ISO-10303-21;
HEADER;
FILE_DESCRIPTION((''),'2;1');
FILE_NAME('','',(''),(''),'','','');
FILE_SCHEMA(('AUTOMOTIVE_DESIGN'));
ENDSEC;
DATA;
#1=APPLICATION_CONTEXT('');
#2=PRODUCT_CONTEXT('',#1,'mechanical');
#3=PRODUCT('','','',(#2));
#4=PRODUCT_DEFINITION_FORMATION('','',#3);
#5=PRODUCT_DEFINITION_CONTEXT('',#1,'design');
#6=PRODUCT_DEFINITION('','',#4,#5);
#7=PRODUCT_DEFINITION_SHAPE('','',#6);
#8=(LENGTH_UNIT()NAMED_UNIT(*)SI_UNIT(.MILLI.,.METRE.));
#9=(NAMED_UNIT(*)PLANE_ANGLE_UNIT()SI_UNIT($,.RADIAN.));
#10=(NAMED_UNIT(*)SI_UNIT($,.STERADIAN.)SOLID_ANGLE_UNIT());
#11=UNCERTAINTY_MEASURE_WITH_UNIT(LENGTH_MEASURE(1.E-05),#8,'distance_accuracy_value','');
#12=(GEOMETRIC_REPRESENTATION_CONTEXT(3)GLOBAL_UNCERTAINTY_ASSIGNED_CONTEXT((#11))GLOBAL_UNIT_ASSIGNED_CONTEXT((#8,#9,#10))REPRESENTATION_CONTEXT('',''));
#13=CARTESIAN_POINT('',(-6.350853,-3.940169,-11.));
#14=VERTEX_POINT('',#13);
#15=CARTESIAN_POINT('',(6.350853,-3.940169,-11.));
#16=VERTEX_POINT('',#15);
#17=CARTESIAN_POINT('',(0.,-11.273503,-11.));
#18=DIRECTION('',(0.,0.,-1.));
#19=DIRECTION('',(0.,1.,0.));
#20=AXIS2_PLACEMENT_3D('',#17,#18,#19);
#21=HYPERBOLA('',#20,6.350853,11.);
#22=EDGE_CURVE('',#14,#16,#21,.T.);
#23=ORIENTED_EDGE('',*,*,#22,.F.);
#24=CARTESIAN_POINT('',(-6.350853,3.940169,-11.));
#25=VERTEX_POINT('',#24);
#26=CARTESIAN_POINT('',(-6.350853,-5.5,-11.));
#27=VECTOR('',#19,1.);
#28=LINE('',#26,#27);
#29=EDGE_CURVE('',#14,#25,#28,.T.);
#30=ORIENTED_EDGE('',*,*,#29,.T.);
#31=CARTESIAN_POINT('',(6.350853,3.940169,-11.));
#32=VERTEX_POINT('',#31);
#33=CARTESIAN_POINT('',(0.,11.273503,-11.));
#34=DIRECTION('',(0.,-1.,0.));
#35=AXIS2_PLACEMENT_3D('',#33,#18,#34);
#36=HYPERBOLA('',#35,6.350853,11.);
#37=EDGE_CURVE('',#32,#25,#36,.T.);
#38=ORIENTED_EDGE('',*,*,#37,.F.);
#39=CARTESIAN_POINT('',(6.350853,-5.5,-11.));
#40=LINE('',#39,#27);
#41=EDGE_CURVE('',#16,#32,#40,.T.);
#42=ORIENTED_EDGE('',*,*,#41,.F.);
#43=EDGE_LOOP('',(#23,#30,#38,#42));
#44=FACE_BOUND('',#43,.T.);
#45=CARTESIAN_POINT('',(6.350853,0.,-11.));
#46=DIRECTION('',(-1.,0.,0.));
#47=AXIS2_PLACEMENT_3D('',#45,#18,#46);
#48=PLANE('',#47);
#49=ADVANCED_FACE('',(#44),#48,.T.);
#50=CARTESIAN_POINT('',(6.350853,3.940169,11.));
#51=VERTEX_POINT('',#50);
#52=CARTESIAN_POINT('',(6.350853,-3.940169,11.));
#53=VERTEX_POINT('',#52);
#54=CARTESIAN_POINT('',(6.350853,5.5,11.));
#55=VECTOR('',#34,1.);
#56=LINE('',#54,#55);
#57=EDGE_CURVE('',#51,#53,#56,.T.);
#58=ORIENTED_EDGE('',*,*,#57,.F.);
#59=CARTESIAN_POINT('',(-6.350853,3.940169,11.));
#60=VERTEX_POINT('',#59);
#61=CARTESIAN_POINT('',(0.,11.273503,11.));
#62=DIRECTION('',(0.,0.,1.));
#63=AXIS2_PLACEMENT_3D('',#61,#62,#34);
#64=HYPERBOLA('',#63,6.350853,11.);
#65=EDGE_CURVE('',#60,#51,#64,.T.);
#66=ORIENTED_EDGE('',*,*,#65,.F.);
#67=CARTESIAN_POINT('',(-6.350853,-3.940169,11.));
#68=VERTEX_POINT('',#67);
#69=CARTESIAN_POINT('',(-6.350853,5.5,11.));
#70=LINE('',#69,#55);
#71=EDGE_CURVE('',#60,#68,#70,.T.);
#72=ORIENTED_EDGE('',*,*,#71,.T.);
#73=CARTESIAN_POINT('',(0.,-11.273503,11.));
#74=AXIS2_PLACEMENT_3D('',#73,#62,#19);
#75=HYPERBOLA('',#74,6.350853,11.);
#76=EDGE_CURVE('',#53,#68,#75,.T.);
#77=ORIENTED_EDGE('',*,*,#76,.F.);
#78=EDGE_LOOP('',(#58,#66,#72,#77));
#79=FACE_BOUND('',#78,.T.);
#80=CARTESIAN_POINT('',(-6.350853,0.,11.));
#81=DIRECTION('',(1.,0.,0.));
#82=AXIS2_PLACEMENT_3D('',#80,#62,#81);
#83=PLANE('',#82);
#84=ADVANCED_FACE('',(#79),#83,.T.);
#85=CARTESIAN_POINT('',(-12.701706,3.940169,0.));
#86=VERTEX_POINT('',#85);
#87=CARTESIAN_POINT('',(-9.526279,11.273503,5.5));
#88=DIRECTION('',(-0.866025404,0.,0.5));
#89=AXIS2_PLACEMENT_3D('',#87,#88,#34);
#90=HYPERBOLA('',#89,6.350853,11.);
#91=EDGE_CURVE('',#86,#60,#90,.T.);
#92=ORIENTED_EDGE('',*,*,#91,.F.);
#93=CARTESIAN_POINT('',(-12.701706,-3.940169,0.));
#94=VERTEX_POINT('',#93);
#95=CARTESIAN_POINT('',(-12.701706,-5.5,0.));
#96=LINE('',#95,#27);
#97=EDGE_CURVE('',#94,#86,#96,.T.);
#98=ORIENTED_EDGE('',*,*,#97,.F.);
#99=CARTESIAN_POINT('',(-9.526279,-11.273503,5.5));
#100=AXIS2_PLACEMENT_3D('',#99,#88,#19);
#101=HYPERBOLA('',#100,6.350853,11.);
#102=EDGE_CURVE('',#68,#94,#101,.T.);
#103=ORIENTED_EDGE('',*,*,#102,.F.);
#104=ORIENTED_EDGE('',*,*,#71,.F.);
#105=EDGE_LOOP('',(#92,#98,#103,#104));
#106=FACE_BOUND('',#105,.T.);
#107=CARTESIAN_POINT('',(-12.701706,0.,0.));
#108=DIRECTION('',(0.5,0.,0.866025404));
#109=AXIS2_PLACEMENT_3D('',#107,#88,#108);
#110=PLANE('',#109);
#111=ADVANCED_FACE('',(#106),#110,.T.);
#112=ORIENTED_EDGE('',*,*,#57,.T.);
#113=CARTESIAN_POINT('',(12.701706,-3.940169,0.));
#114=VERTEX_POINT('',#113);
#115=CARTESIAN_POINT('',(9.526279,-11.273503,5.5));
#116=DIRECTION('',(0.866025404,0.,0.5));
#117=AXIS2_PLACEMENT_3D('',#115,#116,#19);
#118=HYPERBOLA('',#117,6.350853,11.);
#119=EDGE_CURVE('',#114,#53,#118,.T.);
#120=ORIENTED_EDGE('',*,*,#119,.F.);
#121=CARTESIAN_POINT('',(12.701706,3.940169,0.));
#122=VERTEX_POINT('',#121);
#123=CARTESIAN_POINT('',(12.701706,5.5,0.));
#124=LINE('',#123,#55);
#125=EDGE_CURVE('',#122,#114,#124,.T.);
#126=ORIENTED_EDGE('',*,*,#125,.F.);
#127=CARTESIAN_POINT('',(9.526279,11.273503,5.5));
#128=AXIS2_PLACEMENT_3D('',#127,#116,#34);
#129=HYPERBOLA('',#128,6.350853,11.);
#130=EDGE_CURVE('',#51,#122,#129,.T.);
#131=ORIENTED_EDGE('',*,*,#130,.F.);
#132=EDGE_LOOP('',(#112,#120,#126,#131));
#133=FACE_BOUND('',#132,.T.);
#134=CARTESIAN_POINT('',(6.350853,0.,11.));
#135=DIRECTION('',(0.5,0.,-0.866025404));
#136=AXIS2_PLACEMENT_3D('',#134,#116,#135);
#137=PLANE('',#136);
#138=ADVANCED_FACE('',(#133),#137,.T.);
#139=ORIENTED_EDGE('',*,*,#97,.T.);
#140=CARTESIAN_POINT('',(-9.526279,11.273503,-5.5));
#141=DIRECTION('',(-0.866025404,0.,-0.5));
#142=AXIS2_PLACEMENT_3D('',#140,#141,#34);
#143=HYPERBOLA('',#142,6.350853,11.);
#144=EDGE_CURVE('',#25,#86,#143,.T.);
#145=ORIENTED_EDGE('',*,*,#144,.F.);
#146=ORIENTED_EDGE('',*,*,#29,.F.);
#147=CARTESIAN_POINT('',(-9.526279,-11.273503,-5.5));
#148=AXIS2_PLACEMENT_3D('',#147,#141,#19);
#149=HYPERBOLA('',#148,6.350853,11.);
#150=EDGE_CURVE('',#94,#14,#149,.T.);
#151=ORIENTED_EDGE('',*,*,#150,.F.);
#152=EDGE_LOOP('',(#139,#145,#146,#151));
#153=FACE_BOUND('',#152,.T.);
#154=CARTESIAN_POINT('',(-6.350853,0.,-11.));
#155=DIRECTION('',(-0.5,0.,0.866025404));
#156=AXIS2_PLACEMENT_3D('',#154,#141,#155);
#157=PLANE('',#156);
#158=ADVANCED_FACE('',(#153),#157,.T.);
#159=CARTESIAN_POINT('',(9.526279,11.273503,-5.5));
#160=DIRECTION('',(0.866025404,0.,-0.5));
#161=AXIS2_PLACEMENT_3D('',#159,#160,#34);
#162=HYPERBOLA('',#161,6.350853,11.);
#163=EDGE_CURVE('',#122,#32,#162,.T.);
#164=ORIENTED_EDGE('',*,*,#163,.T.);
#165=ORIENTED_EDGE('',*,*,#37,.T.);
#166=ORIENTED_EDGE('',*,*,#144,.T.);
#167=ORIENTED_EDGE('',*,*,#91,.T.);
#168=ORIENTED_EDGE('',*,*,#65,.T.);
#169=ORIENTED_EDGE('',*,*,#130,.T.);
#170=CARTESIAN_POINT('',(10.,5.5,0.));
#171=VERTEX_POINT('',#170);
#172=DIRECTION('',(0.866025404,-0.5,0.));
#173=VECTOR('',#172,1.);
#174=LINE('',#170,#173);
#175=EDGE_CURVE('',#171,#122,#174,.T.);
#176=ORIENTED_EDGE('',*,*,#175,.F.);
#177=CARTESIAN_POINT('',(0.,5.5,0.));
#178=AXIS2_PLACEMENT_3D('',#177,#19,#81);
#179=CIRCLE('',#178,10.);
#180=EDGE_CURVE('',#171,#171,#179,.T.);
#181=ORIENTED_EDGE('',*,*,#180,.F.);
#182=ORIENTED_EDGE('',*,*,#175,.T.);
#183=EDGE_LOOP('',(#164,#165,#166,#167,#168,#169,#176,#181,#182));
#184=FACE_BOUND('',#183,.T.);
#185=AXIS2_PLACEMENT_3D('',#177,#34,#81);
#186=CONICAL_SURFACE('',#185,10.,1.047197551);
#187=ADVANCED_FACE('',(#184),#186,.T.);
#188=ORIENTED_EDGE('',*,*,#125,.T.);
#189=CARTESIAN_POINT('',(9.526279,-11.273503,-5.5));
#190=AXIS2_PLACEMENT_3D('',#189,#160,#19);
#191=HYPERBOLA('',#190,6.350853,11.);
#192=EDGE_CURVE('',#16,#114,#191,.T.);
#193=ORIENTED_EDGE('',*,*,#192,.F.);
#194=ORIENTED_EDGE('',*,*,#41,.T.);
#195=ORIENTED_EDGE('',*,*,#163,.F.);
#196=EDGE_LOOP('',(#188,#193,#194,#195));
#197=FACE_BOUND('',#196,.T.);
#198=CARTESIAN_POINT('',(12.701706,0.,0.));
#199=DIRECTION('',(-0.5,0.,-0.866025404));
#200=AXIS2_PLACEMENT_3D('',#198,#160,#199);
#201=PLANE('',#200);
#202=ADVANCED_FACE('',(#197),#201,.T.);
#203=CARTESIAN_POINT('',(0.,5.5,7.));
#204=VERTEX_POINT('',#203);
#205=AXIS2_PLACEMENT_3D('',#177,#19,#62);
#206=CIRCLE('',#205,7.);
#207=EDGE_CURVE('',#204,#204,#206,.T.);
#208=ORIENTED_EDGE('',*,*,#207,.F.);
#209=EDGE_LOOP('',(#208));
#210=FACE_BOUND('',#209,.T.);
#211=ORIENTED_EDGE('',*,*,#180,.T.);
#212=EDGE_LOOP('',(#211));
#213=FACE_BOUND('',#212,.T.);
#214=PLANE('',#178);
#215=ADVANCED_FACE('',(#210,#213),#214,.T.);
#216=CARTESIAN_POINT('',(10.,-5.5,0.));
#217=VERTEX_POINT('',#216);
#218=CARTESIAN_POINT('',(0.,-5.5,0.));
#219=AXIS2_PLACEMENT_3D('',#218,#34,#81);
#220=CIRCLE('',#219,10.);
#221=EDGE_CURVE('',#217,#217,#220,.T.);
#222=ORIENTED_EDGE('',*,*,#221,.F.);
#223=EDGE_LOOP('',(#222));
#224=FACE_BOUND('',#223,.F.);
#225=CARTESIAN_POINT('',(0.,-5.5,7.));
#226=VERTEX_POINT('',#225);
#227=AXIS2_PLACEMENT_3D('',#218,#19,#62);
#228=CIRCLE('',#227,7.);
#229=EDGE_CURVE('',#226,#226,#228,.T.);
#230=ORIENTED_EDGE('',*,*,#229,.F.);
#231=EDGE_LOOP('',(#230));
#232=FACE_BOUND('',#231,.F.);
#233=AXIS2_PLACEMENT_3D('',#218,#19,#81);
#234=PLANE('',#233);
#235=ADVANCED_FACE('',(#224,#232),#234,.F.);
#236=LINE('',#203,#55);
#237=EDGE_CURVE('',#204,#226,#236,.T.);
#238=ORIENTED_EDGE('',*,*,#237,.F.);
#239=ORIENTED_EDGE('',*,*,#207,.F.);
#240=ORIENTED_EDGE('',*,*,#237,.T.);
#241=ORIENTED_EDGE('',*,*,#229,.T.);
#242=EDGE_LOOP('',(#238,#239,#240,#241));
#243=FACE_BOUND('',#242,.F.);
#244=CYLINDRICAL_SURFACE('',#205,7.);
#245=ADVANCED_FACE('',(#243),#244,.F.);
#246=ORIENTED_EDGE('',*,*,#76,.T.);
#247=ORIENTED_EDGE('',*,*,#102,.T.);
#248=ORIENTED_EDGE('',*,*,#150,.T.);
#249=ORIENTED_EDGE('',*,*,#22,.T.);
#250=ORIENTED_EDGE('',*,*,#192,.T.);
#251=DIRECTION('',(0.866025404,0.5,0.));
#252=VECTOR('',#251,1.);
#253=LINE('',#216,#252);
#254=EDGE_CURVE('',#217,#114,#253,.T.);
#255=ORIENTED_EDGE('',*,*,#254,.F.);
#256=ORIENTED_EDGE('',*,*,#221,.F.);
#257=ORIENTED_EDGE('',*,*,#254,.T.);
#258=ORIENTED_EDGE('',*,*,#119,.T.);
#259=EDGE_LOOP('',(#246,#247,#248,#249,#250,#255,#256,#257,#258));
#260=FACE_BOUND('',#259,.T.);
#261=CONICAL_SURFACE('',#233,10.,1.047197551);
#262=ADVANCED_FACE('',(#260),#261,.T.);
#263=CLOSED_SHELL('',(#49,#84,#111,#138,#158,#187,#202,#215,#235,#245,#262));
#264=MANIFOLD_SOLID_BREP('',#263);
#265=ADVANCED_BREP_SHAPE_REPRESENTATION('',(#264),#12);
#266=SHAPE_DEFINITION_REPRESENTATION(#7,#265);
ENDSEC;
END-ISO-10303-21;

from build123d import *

# Parameters (mm, degrees)
SALIENTE_EXTRUIR6_DEPTH = 5.5
CROQUIS6_R              = 7
CORTAR_EXTRUIR1_DEPTH   = 11
CROQUIS10_OUTSIDE_W     = 69.118
CROQUIS10_OUTSIDE_H     = 65.714
CROQUIS10_OUTSIDE_R     = 10
CORTAR_EXTRUIR2_DEPTH   = 10
CORTAR_EXTRUIR2_DRAFT   = -60
CROQUIS11_OUTSIDE_W     = 69.118
CROQUIS11_OUTSIDE_H     = 65.714
CROQUIS11_OUTSIDE_R     = 10
CORTAR_EXTRUIR3_DEPTH   = 10
CORTAR_EXTRUIR3_DRAFT   = -60


with BuildPart() as part:
    # Croquis5 → Saliente-Extruir6 (new, symmetric)
    with BuildSketch(Plane(origin=(0, 0, 0), x_dir=(1, 0, 0), z_dir=(0, 1, 0))):
        Polygon((12.701705922, 0), (6.350852961, 11), (-6.350852961, 11), (-12.701705922, 0), (-6.350852961, -11), (6.350852961, -11), align=None)
    extrude(amount=SALIENTE_EXTRUIR6_DEPTH, both=True)

    # Croquis6 → Cortar-Extruir1 (cut)
    with BuildSketch(Plane(origin=(0, 5.5, 0), x_dir=(1, 0, 0), z_dir=(0, 1, 0))):
        with Locations(Location((0, 0, 0), (0, 0, 270))):
            Circle(CROQUIS6_R)
    extrude(amount=-CORTAR_EXTRUIR1_DEPTH, mode=Mode.SUBTRACT)


with BuildPart() as cortar_extruir2_tool:
    # Croquis10 outside → Cortar-Extruir2 (with draft: the straight prism first)
    with BuildSketch(Plane(origin=(0, 5.5, 0), x_dir=(1, 0, 0), z_dir=(0, 1, 0))):
        Rectangle(CROQUIS10_OUTSIDE_W, CROQUIS10_OUTSIDE_H)
        Circle(CROQUIS10_OUTSIDE_R, mode=Mode.SUBTRACT)
    extrude(amount=-CORTAR_EXTRUIR2_DEPTH)
    # Cortar-Extruir2: the draft: its side faces are tilted about the plane it starts from
    cortar_extruir2_sides = [cortar_extruir2_tool.faces().sort_by_distance(p)[0] for p in [
        (0, 0.5, 32.857),
        (34.559, 0.5, 0),
        (0, 0.5, -32.857),
        (-34.559, 0.5, 0),
        (-10, 0.5, 0),
    ]]
    draft(cortar_extruir2_sides, Plane(origin=(0, 5.5, 0), x_dir=(1, 0, 0), z_dir=(0, 1, 0)), CORTAR_EXTRUIR2_DRAFT)


with BuildPart() as part_1:
    add(part.part)

    # Cortar-Extruir2: cut by cortar_extruir2_tool
    add(cortar_extruir2_tool.part, mode=Mode.SUBTRACT)


with BuildPart() as cortar_extruir3_tool:
    # Croquis11 outside → Cortar-Extruir3 (with draft: the straight prism first)
    with BuildSketch(Plane.XZ.offset(5.5)):
        Rectangle(CROQUIS11_OUTSIDE_W, CROQUIS11_OUTSIDE_H)
        Circle(CROQUIS11_OUTSIDE_R, mode=Mode.SUBTRACT)
    extrude(amount=-CORTAR_EXTRUIR3_DEPTH)
    # Cortar-Extruir3: the draft: its side faces are tilted about the plane it starts from
    cortar_extruir3_sides = [cortar_extruir3_tool.faces().sort_by_distance(p)[0] for p in [
        (0, -0.5, -32.857),
        (34.559, -0.5, 0),
        (0, -0.5, 32.857),
        (-34.559, -0.5, 0),
        (-10, -0.5, 0),
    ]]
    draft(cortar_extruir3_sides, Plane.XZ.offset(5.5), CORTAR_EXTRUIR3_DRAFT)


with BuildPart() as part_2:
    add(part_1.part)

    # Cortar-Extruir3: cut by cortar_extruir3_tool
    add(cortar_extruir3_tool.part, mode=Mode.SUBTRACT)


solid = part_2.part
